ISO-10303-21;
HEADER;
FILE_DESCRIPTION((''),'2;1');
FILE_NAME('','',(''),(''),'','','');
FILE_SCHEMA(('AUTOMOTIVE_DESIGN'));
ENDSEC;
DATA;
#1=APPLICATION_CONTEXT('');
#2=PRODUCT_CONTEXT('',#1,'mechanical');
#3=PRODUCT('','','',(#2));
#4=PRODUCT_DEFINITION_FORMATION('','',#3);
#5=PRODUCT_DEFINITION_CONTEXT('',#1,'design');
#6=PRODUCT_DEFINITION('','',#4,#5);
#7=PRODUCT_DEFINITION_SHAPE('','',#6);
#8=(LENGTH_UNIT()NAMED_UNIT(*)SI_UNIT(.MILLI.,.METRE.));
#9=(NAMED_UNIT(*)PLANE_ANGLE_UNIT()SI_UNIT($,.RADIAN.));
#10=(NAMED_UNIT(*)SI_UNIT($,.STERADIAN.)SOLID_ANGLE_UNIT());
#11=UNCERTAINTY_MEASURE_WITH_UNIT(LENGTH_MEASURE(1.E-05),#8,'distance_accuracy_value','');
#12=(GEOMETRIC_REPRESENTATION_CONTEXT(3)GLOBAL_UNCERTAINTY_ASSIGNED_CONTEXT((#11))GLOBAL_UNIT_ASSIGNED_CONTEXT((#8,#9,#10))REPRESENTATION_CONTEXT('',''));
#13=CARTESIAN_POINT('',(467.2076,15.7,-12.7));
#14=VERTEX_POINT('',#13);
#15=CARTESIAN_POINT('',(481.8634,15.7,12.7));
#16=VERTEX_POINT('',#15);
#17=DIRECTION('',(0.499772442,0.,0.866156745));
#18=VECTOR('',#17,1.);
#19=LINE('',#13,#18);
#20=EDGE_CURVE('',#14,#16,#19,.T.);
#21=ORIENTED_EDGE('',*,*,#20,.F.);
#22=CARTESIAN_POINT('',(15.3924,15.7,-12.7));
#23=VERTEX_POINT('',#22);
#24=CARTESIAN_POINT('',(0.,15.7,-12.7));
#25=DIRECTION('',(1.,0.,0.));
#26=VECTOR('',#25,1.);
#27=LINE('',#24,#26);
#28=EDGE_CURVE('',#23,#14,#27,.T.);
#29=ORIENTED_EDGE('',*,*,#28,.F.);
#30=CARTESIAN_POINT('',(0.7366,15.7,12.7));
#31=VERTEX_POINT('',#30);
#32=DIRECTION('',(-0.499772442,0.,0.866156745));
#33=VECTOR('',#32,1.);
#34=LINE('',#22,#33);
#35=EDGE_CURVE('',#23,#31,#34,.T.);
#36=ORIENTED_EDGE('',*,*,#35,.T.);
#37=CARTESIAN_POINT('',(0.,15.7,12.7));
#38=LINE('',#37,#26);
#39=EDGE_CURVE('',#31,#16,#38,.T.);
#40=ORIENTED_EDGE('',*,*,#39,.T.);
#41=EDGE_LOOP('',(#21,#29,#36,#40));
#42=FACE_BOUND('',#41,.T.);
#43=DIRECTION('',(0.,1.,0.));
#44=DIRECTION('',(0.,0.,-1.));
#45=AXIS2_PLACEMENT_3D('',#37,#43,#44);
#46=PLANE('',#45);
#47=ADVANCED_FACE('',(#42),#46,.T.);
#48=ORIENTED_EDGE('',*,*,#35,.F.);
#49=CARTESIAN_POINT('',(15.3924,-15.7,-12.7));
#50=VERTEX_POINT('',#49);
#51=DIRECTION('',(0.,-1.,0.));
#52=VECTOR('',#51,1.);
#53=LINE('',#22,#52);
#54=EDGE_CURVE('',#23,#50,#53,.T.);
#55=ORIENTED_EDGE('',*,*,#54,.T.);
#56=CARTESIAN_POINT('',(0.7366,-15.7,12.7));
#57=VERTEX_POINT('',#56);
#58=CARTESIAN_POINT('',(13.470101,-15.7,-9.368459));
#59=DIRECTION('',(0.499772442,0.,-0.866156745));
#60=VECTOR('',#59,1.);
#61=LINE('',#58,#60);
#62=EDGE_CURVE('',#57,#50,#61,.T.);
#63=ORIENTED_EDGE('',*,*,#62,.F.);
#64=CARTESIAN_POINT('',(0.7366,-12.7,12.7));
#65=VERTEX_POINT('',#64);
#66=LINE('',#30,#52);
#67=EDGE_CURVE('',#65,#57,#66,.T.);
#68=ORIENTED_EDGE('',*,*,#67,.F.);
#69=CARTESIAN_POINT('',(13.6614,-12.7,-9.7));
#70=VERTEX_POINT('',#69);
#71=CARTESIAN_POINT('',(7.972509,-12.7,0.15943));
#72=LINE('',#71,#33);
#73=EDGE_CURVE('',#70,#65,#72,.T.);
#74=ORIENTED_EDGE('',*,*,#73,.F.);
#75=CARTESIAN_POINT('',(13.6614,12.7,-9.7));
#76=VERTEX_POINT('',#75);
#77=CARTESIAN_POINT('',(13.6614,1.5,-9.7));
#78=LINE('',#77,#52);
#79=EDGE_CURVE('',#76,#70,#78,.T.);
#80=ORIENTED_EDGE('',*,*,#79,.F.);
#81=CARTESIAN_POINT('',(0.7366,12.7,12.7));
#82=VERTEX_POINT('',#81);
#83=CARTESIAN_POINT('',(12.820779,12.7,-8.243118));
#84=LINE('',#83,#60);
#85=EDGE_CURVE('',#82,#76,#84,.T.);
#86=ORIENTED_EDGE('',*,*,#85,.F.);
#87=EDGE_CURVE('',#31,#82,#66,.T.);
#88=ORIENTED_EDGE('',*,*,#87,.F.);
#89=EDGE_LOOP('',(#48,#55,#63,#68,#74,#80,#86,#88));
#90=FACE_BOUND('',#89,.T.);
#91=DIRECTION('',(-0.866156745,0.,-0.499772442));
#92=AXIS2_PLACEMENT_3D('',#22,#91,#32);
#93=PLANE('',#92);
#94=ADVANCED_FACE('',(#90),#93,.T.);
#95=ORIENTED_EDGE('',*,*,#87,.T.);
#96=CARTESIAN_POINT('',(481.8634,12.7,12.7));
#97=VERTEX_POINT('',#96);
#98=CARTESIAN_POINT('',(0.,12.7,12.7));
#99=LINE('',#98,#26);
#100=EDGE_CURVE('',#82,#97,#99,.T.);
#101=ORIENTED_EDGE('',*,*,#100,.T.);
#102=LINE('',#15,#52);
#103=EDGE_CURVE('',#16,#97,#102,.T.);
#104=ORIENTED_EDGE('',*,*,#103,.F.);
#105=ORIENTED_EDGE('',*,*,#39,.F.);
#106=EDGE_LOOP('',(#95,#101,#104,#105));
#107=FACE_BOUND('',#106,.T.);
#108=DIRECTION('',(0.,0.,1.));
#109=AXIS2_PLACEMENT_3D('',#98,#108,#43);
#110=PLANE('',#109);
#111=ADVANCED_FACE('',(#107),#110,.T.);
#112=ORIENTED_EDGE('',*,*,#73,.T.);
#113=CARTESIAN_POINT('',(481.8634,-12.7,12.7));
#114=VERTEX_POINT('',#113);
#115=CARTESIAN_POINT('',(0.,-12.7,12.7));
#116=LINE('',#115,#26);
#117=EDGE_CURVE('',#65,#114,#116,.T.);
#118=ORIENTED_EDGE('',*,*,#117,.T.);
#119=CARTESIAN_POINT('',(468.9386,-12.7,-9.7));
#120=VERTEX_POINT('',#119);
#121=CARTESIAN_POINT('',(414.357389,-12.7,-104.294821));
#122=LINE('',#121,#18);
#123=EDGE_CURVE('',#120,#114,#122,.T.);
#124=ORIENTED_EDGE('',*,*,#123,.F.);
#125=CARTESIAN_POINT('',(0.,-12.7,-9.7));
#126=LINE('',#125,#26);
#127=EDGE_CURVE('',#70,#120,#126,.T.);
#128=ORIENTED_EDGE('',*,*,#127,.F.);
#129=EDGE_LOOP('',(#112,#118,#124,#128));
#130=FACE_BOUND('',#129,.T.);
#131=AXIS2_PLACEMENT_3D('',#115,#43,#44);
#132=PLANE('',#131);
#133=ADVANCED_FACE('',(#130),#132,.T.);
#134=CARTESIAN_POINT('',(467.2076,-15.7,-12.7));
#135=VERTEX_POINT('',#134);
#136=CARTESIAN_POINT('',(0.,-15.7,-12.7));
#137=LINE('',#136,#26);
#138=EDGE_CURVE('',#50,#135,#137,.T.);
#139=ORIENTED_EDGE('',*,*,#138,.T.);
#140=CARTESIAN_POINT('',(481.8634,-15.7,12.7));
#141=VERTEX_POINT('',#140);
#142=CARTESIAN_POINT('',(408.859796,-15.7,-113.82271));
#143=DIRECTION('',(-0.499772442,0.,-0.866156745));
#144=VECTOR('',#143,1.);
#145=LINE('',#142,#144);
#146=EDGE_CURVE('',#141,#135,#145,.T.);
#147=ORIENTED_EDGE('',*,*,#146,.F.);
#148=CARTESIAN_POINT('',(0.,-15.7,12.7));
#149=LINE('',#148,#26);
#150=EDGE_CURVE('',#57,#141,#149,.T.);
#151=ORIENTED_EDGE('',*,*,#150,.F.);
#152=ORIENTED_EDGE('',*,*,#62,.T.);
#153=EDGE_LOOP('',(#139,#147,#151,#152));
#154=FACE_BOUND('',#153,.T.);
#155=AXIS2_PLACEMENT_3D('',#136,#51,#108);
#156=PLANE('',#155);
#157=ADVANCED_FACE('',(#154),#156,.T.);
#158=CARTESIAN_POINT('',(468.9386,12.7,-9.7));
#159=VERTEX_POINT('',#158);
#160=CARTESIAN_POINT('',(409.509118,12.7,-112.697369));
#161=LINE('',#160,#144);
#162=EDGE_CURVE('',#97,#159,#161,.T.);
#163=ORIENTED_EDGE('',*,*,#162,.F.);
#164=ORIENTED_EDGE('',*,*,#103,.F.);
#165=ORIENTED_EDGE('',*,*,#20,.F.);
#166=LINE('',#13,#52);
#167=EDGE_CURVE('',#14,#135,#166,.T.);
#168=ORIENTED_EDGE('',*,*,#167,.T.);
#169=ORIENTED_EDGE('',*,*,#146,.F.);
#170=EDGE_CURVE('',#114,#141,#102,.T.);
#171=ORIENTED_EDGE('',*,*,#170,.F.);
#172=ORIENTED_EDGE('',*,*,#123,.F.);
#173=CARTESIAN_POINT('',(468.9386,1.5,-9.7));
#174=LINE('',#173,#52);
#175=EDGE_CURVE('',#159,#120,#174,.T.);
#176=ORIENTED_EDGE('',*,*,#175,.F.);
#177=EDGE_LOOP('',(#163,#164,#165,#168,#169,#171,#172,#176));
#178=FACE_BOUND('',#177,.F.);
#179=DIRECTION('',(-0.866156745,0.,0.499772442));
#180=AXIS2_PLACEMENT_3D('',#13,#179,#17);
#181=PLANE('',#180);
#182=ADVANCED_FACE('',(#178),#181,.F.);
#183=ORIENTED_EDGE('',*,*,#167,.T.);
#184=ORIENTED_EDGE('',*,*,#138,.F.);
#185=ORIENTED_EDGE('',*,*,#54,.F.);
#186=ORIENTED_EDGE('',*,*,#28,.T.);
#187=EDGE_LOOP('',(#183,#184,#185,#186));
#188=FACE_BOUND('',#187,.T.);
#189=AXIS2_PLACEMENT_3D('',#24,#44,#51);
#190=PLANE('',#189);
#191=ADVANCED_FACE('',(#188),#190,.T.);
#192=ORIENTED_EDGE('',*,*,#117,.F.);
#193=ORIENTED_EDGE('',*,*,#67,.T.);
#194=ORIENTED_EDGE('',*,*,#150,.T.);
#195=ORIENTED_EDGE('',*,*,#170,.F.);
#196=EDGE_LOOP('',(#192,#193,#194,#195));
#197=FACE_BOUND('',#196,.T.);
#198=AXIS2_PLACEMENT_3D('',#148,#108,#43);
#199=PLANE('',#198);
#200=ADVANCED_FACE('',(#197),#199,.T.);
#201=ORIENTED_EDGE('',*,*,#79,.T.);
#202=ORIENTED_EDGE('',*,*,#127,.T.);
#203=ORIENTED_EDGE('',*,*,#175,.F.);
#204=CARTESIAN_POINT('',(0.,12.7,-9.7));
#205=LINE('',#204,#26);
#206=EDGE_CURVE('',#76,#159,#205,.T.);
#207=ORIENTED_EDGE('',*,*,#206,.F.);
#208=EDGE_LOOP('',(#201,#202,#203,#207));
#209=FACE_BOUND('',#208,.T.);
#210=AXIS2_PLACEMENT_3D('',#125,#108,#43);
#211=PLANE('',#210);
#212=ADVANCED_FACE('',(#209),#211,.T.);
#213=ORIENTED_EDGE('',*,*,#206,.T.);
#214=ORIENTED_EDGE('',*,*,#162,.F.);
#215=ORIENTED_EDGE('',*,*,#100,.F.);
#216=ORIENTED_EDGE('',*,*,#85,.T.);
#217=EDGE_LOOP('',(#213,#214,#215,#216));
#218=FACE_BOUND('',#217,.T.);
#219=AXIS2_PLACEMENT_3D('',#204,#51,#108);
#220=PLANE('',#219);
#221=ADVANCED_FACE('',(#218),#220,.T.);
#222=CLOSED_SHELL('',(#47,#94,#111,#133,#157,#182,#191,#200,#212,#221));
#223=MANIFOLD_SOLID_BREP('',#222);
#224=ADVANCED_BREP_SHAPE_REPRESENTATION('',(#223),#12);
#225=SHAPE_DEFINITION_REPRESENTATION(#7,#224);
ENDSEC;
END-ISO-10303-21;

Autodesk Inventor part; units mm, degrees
ref_plane "YZ Plane" through (0, 0, 0) normal (1, 0, 0) x (0, 1, 0)
ref_plane "XZ Plane" through (0, 0, 0) normal (0, 1, 0) x (-1, 0, 0)
ref_plane "XY Plane" through (0, 0, 0) normal (0, 0, 1) x (1, 0, 0)
sketch "Sketch1" plane through (0, 0, 0) normal (1, 0, 0) x (0, 1, 0)
  line L0 (-15.7, 12.7) -> (-12.7, 12.7)
  line L1 (-12.7, 12.7) -> (-12.7, -9.7)
  line L2 (-12.7, -9.7) -> (12.7, -9.7)
  line L3 (12.7, -9.7) -> (12.7, 12.7)
  line L4 (12.7, 12.7) -> (15.7, 12.7)
  line L5 (15.7, 12.7) -> (15.7, -12.7)
  line L6 (15.7, -12.7) -> (-15.7, -12.7)
  line L7 (-15.7, -12.7) -> (-15.7, 12.7)
  point P0 (0, 0)
  point P1 (0, 0)
  dimension "d0" = 3
  dimension "d1" = 3
  dimension "d2" = 25.4
  dimension "d3" = 31.4
  dimension "d4" = 15.7
  dimension "d5" = 12.7
  dimension "d6" = 3
extrude "Extrusion1" add sketch "Sketch1" along normal blind 482.6
sketch "Sketch2" plane through (0, 15.7, 12.7) normal (0, 1, 0) x (1, 0, 0)
  line L0 (482.6, 0) -> (481.8634, 0)
  line L1 (482.6, 25.4) -> (467.2076, 25.4)
  line L2 (467.2076, 25.4) -> (481.8634, 0)
  line L3 (482.6, 0) -> (482.6, 25.4)
  line L4 (0, 0) -> (0.7366, 0)
  line L5 (0, 25.4) -> (15.3924, 25.4)
  line L6 (15.3924, 25.4) -> (0.7366, 0)
  line L7 (0, 25.4) -> (0, 0)
  point P0 (0, 12.7)
  dimension "d9" = 0.7366
  dimension "d10" = 15.3924
  dimension "d11" = 0.7366
  dimension "d12" = 15.3924
extrude "Extrusion2" cut sketch "Sketch2" against normal blind 76.2
equation "\"d1\" = d0"
equation "\"d4\" = 0.5 * d3"
equation "\"d5\" = 0.5 * d2"
equation "\"d6\" = d0"
properties part number "19in c-channel-top"
